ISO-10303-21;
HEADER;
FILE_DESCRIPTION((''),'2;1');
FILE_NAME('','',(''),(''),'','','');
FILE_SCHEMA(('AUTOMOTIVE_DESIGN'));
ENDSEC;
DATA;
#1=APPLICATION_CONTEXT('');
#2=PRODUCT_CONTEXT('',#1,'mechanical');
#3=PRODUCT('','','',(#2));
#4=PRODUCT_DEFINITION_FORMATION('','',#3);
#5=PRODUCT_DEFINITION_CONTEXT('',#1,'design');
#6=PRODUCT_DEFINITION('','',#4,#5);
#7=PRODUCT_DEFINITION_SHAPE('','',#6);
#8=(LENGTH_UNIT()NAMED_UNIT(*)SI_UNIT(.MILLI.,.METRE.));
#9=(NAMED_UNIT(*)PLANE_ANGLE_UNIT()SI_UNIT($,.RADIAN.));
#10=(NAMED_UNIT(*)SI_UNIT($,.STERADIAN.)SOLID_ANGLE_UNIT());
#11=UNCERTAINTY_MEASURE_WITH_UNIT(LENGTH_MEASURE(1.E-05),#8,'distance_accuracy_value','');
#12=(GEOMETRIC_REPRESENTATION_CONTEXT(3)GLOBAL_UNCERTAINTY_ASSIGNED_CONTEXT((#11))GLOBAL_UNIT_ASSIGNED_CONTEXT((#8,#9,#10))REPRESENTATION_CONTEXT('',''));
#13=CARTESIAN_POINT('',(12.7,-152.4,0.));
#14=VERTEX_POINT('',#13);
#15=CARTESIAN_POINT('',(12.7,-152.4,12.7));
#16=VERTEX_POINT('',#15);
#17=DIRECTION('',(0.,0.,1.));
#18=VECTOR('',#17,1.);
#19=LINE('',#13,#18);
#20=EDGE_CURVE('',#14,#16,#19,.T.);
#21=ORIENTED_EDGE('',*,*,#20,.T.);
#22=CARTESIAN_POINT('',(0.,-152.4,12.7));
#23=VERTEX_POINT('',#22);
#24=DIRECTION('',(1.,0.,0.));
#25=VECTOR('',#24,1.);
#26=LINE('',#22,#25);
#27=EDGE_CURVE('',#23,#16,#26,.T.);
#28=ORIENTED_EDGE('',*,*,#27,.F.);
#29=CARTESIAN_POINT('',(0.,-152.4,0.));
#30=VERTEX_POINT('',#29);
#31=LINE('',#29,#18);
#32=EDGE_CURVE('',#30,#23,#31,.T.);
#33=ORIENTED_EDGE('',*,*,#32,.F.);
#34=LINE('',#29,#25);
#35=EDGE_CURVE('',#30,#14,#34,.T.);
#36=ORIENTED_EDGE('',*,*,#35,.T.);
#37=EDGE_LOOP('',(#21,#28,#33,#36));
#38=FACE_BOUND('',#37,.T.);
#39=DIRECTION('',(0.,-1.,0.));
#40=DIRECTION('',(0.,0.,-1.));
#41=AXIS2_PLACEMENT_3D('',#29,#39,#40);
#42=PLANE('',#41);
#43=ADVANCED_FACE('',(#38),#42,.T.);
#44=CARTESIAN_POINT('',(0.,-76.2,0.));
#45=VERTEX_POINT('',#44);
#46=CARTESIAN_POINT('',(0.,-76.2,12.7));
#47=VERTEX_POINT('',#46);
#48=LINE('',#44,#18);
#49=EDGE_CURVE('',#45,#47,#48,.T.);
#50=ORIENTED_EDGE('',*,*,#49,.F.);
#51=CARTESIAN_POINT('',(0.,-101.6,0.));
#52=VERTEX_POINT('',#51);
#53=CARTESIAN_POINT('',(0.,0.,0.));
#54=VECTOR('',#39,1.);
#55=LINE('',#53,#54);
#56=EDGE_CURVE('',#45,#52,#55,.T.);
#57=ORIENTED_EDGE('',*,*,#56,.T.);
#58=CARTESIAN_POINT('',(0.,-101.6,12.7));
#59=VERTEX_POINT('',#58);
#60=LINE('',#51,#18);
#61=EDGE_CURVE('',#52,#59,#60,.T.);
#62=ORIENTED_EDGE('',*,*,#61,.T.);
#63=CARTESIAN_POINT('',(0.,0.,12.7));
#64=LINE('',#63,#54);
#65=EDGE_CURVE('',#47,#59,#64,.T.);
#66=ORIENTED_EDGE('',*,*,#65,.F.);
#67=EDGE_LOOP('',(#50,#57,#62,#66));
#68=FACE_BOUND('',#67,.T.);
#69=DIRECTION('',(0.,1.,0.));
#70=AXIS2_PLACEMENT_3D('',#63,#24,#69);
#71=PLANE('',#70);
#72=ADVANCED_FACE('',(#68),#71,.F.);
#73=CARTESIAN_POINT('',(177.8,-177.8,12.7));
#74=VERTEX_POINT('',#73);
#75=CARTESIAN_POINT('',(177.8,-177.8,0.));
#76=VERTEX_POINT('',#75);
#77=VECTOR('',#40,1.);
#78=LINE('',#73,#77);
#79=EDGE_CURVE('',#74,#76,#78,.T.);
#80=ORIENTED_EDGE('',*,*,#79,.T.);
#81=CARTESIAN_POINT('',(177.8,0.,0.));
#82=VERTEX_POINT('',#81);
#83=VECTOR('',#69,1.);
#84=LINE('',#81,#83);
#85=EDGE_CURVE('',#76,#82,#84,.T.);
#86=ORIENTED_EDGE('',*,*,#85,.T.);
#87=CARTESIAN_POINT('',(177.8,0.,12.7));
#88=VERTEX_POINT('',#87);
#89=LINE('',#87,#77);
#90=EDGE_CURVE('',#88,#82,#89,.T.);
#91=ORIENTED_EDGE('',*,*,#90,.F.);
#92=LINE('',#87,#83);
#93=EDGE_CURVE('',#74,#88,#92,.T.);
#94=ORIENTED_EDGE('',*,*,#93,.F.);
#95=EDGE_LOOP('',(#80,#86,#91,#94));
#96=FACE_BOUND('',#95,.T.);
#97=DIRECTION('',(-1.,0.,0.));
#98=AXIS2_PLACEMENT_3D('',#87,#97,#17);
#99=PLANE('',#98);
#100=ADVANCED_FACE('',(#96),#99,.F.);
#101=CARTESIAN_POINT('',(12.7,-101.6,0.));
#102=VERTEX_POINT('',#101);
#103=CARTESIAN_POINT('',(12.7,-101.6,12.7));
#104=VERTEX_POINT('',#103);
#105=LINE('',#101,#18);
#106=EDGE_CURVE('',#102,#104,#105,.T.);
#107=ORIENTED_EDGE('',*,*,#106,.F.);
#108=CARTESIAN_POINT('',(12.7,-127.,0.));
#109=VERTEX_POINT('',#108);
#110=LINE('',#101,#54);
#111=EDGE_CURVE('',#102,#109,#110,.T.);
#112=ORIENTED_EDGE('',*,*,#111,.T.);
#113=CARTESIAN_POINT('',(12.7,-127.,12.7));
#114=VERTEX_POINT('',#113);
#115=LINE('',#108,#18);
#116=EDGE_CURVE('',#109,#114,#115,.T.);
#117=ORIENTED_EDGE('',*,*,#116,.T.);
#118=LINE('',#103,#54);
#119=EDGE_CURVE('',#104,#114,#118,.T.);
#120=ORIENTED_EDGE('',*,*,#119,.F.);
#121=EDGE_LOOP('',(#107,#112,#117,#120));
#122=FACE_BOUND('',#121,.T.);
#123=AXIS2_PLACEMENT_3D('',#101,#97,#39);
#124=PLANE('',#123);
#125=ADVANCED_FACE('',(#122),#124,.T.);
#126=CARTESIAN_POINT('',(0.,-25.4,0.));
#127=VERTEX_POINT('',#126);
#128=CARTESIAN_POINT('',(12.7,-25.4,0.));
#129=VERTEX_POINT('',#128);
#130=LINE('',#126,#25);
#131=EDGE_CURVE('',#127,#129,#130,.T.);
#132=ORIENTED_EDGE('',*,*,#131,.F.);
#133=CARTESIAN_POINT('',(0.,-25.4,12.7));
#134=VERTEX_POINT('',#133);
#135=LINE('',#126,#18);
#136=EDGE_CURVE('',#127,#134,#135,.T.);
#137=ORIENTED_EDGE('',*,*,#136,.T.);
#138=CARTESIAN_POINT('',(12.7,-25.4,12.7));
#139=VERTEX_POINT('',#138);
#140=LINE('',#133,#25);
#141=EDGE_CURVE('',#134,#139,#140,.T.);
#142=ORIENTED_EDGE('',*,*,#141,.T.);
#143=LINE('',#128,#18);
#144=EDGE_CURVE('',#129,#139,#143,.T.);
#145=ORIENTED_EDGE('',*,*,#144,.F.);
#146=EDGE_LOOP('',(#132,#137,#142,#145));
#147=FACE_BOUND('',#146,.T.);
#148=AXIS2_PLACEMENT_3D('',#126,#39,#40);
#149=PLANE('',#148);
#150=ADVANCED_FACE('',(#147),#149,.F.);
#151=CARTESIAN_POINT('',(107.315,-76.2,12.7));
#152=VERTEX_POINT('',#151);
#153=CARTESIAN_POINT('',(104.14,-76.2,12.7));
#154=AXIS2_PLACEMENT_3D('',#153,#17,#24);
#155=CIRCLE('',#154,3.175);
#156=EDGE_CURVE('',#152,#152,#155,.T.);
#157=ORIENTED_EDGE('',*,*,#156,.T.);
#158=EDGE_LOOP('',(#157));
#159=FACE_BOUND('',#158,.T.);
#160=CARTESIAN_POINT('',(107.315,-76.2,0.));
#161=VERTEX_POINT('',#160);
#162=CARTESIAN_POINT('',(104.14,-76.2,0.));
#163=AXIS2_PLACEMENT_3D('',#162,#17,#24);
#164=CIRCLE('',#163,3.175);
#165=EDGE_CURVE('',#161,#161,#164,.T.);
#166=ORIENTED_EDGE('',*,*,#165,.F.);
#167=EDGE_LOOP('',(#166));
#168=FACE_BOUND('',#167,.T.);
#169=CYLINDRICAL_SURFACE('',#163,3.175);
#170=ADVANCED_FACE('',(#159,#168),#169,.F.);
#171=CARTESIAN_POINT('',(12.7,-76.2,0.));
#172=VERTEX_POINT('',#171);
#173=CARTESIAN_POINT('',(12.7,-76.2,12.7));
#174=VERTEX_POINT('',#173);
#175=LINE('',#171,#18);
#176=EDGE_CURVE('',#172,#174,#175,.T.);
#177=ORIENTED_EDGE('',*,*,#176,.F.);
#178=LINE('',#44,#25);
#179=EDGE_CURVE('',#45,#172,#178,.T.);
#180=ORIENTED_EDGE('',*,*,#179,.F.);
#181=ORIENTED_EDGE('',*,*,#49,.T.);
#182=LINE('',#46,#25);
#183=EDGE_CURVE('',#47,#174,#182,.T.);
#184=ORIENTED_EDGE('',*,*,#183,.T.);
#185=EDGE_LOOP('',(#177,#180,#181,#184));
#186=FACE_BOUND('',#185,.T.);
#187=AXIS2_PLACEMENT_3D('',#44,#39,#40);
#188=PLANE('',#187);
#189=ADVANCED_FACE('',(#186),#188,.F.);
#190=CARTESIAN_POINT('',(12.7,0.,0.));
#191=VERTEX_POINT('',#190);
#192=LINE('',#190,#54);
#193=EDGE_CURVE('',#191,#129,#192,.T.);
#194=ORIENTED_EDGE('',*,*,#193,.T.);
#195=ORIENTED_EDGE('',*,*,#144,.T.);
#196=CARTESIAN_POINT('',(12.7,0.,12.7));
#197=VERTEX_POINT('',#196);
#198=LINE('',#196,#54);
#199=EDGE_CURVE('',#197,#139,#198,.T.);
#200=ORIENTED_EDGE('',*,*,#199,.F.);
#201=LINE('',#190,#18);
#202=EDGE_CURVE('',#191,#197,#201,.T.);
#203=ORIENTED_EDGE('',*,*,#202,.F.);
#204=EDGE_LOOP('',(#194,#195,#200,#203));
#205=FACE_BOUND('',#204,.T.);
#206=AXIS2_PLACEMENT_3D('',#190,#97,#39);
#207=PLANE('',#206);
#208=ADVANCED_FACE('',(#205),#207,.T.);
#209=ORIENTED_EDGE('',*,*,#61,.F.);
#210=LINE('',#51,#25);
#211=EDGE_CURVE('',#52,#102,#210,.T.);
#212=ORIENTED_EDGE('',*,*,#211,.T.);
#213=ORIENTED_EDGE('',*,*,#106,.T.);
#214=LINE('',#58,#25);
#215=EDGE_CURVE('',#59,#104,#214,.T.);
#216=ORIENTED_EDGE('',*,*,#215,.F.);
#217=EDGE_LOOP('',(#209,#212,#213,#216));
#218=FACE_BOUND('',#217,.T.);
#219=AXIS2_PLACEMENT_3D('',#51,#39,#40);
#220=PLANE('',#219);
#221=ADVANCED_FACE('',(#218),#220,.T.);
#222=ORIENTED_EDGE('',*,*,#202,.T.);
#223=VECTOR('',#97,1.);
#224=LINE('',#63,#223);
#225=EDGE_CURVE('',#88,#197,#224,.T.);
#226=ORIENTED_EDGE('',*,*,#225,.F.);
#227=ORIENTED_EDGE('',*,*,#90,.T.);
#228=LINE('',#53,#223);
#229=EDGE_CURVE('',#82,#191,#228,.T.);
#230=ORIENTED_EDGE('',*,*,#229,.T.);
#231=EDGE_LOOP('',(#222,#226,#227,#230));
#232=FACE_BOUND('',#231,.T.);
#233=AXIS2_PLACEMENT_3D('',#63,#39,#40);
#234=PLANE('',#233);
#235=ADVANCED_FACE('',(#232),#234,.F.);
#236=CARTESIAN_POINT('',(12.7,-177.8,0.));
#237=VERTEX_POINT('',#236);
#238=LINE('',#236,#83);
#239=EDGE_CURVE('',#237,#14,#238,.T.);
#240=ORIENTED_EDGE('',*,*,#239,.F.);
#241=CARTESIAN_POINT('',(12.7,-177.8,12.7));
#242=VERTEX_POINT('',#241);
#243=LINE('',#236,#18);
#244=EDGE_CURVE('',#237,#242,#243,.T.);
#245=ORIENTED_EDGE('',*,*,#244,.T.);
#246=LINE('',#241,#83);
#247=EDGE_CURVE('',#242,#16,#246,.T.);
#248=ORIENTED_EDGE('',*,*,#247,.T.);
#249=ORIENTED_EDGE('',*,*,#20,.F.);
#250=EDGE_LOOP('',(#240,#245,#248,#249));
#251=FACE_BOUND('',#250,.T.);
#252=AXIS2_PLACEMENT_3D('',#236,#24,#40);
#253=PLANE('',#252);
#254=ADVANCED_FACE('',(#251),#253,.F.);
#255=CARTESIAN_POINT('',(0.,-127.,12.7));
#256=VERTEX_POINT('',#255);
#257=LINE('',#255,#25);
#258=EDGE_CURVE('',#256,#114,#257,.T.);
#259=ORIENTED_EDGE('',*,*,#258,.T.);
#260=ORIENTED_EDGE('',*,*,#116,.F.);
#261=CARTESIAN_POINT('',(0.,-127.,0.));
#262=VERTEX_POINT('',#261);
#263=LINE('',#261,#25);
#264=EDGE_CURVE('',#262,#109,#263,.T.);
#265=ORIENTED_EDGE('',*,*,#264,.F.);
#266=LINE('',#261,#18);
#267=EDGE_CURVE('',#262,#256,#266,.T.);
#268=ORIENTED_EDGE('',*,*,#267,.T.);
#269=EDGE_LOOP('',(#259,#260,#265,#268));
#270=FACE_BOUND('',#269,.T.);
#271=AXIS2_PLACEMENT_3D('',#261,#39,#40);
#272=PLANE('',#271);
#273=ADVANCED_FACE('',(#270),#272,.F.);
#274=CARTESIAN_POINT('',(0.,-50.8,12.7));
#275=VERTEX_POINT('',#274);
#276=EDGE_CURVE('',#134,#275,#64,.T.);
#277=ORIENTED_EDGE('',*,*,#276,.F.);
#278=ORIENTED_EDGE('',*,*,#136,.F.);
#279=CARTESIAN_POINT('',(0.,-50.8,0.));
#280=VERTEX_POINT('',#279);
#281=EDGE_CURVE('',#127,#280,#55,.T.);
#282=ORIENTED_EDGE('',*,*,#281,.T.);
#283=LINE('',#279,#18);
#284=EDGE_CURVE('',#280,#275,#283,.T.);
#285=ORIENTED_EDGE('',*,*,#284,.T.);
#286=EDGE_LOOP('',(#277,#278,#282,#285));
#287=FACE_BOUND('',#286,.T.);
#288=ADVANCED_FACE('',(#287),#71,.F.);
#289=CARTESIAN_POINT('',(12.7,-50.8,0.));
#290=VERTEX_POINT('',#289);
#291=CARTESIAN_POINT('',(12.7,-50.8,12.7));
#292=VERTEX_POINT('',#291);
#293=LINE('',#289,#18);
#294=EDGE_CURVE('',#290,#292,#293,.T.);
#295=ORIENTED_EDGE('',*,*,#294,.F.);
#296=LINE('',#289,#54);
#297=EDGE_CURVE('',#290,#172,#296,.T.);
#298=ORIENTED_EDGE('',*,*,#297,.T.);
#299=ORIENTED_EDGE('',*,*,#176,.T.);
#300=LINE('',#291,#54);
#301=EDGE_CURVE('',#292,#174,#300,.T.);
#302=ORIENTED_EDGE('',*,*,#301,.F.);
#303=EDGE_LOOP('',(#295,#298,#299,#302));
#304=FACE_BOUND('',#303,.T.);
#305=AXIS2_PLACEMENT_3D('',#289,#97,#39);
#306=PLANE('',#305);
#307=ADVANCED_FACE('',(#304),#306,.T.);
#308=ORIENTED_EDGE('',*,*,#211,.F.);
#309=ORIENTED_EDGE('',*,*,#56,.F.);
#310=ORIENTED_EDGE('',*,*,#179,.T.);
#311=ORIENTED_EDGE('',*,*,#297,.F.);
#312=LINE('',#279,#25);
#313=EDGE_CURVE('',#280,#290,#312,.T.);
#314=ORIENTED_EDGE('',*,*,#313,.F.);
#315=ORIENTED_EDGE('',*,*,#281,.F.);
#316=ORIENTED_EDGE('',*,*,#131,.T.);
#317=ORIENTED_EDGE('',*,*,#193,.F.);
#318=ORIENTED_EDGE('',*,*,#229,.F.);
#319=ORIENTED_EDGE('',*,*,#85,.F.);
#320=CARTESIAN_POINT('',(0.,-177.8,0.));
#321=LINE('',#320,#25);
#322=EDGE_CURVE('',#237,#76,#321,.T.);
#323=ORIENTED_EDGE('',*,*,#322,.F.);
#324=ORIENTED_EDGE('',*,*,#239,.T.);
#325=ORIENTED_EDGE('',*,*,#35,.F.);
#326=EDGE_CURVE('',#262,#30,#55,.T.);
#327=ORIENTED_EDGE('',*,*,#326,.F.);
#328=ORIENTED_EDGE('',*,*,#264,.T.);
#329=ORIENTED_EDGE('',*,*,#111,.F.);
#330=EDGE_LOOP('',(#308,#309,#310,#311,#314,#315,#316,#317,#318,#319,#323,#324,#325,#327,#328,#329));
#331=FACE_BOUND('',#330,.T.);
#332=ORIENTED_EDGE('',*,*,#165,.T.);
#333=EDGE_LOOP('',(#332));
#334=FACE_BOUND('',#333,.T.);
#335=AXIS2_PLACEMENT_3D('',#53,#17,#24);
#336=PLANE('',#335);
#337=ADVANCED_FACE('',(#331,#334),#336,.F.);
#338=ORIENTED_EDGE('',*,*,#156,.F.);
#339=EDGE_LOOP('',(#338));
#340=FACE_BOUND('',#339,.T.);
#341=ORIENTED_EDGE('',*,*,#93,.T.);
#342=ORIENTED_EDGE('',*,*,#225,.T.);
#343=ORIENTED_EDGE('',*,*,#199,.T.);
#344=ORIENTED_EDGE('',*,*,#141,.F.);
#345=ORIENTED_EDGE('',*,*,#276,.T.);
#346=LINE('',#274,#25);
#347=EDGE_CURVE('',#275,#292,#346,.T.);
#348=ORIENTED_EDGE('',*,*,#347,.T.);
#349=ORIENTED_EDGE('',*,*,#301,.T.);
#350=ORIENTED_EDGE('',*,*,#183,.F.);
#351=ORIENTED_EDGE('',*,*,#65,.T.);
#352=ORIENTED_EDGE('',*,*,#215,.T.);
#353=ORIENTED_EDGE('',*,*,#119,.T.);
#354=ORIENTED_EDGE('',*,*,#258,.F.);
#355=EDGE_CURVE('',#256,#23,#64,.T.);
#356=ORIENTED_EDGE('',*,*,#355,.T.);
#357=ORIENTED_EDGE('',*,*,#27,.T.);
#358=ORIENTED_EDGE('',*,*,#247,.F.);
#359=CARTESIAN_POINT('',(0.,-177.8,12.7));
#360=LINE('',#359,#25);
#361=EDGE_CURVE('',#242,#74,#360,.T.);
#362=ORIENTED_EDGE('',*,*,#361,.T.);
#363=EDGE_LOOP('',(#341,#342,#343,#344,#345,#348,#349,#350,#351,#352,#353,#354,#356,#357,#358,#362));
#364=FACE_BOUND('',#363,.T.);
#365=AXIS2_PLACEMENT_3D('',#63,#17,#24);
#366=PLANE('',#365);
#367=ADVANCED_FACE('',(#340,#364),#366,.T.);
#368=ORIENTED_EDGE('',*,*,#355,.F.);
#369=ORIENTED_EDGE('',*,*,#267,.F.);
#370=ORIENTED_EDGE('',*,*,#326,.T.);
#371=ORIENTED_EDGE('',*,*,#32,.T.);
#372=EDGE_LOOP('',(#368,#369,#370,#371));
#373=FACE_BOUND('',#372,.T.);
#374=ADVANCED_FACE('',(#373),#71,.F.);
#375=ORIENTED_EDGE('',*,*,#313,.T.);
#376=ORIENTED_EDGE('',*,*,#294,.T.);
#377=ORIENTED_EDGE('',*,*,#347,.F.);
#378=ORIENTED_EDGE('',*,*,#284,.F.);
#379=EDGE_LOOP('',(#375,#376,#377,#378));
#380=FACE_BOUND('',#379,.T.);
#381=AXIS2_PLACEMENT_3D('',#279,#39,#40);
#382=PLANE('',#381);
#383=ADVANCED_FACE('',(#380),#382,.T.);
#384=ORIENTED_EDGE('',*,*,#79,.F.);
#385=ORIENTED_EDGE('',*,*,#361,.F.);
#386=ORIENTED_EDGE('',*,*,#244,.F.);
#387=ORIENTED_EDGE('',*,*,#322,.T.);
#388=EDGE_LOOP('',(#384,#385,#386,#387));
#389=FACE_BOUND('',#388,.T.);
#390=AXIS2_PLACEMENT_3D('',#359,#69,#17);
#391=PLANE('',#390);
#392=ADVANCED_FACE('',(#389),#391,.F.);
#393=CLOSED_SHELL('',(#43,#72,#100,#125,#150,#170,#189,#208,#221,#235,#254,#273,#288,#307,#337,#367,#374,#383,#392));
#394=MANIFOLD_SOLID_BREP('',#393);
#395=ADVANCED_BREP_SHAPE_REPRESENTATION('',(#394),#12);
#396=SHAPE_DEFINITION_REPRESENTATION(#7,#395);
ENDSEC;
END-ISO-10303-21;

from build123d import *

# Parameters (mm, degrees)
SKETCH1_W           = 177.8
SKETCH1_H           = 177.8
BOSS_EXTRUDE1_DEPTH = 12.7
SKETCH2_R           = 3.175
CUT_EXTRUDE3_DEPTH  = 13.7
SKETCH4_W           = 12.7
SKETCH4_H           = 25.4
CUT_EXTRUDE4_DEPTH  = 13.7


with BuildPart() as part:
    # Sketch1 → Boss-Extrude1 (new body)
    with BuildSketch(Plane.XY):
        with Locations((88.9, -88.9)):
            Rectangle(SKETCH1_W, SKETCH1_H)
    extrude(amount=BOSS_EXTRUDE1_DEPTH)

    # Sketch2 → Cut-Extrude3 (cut, through all)
    with BuildSketch(Plane.XY.offset(12.7)):
        with Locations((104.14, -76.2)):
            Circle(SKETCH2_R)
    extrude(amount=-CUT_EXTRUDE3_DEPTH, mode=Mode.SUBTRACT)

    # Sketch4 → Cut-Extrude4 (cut, through all)
    with BuildSketch(Plane.XY.offset(12.7)):
        with Locations((6.35, -12.7)):
            Rectangle(SKETCH4_W, SKETCH4_H)
        with Locations((6.35, -63.5)):
            Rectangle(SKETCH4_W, SKETCH4_H)
        with Locations((6.35, -114.3)):
            Rectangle(SKETCH4_W, SKETCH4_H)
        with Locations((6.35, -165.1)):
            Rectangle(SKETCH4_W, SKETCH4_H)
    extrude(amount=-CUT_EXTRUDE4_DEPTH, mode=Mode.SUBTRACT)


solid = part.part
